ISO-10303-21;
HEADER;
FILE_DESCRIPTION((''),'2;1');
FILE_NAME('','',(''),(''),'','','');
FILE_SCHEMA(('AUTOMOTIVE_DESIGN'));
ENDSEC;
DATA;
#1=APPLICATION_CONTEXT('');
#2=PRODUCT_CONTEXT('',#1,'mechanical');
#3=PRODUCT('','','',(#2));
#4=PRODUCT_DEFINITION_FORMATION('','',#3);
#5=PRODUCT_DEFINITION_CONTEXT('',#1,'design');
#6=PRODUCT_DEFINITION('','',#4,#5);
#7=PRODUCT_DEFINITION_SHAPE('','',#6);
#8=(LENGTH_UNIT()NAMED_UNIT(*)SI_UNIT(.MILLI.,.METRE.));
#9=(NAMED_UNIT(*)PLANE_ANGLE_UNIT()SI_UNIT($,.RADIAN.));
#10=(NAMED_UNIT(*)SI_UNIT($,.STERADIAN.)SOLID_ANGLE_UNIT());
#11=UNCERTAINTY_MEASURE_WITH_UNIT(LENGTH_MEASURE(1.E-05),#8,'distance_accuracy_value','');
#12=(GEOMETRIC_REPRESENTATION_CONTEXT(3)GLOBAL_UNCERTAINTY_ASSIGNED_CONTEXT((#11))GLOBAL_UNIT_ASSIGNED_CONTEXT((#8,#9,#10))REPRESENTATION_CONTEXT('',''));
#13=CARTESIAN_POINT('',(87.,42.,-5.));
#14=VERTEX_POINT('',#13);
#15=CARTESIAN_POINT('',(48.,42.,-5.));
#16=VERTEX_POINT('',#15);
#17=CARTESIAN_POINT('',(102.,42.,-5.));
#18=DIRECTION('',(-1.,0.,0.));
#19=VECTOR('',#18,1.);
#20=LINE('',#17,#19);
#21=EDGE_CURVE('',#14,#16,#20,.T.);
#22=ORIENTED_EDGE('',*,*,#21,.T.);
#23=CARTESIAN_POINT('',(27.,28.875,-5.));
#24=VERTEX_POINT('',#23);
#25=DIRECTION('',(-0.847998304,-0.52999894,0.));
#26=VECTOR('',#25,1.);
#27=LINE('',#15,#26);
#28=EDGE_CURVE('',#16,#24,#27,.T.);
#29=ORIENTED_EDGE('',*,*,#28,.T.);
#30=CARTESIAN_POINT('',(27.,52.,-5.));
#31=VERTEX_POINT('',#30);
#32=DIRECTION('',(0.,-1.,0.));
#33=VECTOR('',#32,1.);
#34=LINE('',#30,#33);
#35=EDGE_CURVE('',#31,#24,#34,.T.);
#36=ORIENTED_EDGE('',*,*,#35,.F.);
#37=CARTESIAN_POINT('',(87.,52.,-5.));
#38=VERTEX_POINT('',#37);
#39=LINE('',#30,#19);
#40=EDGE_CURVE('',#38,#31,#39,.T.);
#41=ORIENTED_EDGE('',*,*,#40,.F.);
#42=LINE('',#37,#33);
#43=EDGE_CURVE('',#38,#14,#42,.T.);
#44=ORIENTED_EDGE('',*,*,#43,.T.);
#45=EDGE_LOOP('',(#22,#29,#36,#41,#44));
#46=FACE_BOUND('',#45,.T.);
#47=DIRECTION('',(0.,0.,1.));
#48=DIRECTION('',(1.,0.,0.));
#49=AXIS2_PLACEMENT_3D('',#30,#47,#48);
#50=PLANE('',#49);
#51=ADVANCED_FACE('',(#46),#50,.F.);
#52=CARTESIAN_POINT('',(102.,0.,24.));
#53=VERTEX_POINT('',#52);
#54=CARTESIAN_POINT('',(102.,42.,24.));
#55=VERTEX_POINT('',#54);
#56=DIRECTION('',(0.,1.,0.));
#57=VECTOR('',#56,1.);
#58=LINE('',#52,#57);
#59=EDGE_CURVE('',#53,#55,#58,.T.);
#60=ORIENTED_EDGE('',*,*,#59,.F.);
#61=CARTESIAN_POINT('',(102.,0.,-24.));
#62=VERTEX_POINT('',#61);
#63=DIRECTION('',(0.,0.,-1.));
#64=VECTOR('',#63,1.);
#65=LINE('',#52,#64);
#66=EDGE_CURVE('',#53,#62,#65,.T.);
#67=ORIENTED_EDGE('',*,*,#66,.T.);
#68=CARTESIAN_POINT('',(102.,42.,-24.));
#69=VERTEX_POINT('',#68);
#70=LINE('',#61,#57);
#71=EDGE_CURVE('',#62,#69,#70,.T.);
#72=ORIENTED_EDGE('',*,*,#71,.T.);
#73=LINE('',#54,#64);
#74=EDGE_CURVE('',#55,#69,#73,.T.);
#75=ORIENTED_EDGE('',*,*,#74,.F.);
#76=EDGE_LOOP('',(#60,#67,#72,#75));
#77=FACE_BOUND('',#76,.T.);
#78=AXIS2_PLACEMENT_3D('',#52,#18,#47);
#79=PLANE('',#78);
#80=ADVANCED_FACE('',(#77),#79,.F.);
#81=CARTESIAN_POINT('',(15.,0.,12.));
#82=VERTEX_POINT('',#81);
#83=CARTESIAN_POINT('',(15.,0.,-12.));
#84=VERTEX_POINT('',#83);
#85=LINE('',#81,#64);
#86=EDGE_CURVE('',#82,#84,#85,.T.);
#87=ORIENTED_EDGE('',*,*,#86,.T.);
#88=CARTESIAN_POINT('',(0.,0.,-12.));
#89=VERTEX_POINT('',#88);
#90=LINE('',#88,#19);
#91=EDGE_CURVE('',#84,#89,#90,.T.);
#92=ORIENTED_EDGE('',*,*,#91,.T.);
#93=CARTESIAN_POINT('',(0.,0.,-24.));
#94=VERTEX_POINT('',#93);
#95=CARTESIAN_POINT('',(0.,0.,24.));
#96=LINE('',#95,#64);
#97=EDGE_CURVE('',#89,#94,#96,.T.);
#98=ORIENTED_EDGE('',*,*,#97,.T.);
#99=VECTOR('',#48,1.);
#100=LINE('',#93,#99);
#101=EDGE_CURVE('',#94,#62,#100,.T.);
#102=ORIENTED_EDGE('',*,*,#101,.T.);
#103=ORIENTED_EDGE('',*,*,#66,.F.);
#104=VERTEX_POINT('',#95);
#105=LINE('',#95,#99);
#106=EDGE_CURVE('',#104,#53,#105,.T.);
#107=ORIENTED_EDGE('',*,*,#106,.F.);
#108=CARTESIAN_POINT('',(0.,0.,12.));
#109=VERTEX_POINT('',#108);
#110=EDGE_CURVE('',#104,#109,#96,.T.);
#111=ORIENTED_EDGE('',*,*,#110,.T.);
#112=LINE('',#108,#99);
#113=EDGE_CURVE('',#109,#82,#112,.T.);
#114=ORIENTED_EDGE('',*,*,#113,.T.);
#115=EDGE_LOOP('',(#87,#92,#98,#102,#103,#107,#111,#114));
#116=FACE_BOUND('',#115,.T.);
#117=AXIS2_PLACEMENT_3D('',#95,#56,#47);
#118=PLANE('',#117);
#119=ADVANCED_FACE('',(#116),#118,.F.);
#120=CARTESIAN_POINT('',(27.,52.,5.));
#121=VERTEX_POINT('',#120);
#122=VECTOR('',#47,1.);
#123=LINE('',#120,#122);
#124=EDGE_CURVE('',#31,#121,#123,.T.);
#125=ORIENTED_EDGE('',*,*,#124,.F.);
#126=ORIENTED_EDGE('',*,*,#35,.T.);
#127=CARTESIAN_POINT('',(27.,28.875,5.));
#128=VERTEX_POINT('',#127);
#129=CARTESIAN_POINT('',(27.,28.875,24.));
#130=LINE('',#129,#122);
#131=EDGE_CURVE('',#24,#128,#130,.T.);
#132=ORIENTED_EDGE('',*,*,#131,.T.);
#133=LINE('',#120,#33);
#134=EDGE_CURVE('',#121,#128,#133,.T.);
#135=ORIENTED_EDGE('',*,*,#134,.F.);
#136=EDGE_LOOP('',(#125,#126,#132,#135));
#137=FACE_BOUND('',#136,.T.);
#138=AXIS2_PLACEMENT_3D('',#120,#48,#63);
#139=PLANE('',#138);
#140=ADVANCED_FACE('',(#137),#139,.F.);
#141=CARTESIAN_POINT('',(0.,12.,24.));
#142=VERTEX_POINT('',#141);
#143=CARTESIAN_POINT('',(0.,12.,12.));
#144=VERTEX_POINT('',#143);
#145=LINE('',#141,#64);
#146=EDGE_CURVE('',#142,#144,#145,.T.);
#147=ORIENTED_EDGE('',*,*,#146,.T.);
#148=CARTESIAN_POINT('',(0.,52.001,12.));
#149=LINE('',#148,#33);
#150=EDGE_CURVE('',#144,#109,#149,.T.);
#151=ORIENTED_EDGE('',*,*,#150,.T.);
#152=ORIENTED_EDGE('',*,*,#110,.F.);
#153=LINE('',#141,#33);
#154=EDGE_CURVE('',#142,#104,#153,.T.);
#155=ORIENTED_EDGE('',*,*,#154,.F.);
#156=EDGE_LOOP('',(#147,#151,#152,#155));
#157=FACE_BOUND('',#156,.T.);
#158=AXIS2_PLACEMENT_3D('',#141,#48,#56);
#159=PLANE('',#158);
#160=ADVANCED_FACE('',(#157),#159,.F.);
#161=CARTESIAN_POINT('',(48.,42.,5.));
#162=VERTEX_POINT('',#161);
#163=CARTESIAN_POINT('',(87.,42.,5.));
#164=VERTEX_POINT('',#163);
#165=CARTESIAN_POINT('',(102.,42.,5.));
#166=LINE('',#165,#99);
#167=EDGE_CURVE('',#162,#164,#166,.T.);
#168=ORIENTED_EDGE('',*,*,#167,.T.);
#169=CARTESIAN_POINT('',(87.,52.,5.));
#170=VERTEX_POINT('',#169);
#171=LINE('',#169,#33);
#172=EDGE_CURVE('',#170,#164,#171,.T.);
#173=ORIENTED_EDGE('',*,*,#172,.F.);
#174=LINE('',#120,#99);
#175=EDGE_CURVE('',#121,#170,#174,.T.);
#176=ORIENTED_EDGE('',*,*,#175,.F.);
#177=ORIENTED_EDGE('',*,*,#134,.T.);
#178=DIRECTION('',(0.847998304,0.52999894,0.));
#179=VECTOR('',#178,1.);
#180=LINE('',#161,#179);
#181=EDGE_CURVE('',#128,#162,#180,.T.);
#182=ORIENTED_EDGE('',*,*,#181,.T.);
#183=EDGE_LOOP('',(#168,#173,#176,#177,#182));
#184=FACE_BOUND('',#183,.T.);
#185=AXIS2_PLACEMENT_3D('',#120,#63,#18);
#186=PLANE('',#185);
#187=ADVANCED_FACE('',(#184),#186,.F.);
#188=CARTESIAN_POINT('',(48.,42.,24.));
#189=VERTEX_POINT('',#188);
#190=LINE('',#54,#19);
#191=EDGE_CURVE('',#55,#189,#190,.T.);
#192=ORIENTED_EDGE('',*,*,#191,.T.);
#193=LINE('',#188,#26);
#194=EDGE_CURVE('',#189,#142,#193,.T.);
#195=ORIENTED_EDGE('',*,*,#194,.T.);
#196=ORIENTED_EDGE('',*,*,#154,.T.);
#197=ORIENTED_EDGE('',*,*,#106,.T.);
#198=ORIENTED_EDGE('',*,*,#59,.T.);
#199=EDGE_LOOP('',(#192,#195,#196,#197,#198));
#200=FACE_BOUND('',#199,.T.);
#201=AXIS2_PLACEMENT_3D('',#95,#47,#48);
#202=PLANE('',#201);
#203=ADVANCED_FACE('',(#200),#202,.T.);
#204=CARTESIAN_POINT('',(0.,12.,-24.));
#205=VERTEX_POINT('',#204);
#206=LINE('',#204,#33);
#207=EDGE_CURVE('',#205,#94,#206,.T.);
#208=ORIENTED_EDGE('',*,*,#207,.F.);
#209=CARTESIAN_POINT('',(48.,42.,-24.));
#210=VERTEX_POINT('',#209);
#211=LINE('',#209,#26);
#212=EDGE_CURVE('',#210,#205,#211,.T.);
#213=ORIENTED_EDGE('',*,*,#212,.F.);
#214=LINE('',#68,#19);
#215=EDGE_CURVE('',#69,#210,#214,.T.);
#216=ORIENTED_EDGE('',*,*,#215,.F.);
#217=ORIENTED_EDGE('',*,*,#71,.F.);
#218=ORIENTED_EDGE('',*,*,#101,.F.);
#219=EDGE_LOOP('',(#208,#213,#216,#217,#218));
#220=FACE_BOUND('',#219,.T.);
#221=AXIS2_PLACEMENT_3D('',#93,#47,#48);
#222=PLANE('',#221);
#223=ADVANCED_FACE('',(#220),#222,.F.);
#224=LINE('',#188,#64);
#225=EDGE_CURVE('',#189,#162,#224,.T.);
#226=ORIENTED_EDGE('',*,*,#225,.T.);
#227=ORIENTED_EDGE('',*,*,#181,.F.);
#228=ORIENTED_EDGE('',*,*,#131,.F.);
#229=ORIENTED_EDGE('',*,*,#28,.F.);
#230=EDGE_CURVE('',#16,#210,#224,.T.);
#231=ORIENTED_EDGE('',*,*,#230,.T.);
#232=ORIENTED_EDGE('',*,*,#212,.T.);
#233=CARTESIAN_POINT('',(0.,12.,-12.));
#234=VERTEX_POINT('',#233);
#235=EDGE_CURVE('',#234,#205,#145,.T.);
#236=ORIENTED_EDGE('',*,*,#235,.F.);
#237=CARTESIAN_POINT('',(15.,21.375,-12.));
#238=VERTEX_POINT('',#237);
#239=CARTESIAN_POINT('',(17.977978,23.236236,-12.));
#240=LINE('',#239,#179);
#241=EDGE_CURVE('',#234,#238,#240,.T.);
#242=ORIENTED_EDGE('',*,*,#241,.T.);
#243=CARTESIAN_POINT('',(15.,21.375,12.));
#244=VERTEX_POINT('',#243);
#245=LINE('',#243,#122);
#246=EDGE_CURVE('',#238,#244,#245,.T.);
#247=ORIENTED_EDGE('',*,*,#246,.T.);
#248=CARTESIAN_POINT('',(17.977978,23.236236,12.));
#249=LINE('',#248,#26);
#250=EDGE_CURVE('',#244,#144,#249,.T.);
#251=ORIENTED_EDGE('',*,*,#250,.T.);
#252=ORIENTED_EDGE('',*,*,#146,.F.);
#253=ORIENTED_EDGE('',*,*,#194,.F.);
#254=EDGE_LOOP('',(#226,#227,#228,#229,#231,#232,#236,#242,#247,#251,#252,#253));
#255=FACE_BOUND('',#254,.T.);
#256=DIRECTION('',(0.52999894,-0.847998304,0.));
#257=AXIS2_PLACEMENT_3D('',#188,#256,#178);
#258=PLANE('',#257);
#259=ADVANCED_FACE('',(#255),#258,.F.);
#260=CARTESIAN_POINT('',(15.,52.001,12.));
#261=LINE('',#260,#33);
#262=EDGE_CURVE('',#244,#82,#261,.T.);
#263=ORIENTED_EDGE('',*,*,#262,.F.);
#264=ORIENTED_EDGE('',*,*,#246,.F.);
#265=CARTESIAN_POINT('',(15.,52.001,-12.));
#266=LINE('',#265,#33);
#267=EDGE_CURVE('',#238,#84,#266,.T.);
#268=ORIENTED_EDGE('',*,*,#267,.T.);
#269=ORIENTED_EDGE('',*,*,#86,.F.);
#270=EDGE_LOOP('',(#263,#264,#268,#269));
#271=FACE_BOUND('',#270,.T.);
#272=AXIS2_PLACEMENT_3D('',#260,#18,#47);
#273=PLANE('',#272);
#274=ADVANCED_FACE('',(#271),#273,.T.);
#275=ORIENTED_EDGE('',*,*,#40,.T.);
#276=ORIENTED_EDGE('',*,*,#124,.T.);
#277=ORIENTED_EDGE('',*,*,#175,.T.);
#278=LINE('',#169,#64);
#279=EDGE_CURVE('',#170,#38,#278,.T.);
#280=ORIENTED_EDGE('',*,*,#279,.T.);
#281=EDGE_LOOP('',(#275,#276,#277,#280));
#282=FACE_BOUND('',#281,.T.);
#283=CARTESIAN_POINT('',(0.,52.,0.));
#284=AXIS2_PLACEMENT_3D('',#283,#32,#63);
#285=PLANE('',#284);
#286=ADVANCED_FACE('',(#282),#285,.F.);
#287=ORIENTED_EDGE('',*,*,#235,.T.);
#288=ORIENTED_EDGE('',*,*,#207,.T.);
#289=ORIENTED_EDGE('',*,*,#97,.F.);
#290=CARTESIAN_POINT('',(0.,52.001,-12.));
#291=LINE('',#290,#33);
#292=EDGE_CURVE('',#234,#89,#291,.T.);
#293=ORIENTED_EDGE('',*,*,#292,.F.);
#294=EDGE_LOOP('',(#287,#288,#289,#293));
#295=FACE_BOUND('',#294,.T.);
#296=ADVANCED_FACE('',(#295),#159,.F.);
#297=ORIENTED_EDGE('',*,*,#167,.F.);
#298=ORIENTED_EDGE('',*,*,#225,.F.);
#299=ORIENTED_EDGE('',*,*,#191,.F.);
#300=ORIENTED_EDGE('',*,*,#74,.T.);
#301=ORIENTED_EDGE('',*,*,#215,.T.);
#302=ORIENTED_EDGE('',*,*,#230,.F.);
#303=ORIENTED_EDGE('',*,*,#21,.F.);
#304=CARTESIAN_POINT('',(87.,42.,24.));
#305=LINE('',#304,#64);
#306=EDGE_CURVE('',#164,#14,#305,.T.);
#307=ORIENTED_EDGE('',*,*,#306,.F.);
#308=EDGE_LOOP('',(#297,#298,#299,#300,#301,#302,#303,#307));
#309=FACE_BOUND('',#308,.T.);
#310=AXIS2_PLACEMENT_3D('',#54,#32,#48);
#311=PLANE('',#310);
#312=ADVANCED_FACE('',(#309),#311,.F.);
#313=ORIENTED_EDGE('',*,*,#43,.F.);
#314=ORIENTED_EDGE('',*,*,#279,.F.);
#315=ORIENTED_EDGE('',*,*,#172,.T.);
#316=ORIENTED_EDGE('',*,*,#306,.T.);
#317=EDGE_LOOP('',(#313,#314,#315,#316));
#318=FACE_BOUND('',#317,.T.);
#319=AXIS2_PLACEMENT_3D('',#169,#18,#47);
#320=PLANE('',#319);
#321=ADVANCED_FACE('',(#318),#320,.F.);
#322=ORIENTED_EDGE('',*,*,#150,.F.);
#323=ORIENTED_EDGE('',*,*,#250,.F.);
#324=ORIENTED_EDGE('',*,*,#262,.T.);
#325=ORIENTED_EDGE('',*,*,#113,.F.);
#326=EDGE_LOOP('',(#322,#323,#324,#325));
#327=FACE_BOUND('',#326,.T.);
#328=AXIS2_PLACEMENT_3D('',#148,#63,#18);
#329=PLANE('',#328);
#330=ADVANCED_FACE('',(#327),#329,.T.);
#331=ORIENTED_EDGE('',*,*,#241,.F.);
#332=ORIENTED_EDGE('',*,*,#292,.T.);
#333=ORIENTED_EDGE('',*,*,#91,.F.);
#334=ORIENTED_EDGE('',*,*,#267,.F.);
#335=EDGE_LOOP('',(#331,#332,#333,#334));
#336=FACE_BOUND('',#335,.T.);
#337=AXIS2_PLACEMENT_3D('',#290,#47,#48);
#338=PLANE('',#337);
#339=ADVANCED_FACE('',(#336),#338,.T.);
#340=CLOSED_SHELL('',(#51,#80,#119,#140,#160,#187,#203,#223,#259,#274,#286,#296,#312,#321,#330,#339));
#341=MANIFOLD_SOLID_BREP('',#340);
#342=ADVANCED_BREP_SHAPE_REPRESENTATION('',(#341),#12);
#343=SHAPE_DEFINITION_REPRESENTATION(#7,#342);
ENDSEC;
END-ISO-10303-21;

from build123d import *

# Parameters (mm, degrees)
BOSS_EXTRUDE1_DEPTH = 24
SKETCH2_W           = 60
SKETCH2_H           = 10
BOSS_EXTRUDE2_DEPTH = 52
CUT_EXTRUDE1_REACH  = 118.979
SKETCH3_W           = 15
SKETCH3_H           = 24


with BuildPart() as part:
    # Sketch1 → Boss-Extrude1 (new, symmetric)
    with BuildSketch(Plane.XY):
        Polygon((0, 0), (102, 0), (102, 42), (48, 42), (0, 12), align=None)
    extrude(amount=BOSS_EXTRUDE1_DEPTH, both=True)

    # Sketch2 → Boss-Extrude2 (add)
    with BuildSketch(Plane(origin=(0, 0, 0), x_dir=(1, 0, 0), z_dir=(0, 1, 0))):
        with Locations((57, 0)):
            Rectangle(SKETCH2_W, SKETCH2_H)
    extrude(amount=BOSS_EXTRUDE2_DEPTH)

    # Cut-Extrude1: up to this plane
    cut_extrude1_end = Plane(origin=(48, 42, 24), z_dir=(0.52999894000318, -0.8479983040050879, 0))
    # Sketch3 → Cut-Extrude1 (cut, up to the surface)
    with BuildSketch(Plane(origin=(0, 0, 0), x_dir=(1, 0, 0), z_dir=(0, 1, 0)), mode=Mode.PRIVATE) as cut_extrude1_sk1:
        with Locations((7.5, 0)):
            Rectangle(SKETCH3_W, SKETCH3_H)
    cut_extrude1_tool1 = split(extrude(cut_extrude1_sk1.sketch, amount=CUT_EXTRUDE1_REACH, mode=Mode.PRIVATE), bisect_by=cut_extrude1_end, keep=Keep.BOTH, mode=Mode.PRIVATE)
    add(cut_extrude1_tool1.solids().sort_by_distance((7.5, 0, 0))[0], mode=Mode.SUBTRACT)


solid = part.part
